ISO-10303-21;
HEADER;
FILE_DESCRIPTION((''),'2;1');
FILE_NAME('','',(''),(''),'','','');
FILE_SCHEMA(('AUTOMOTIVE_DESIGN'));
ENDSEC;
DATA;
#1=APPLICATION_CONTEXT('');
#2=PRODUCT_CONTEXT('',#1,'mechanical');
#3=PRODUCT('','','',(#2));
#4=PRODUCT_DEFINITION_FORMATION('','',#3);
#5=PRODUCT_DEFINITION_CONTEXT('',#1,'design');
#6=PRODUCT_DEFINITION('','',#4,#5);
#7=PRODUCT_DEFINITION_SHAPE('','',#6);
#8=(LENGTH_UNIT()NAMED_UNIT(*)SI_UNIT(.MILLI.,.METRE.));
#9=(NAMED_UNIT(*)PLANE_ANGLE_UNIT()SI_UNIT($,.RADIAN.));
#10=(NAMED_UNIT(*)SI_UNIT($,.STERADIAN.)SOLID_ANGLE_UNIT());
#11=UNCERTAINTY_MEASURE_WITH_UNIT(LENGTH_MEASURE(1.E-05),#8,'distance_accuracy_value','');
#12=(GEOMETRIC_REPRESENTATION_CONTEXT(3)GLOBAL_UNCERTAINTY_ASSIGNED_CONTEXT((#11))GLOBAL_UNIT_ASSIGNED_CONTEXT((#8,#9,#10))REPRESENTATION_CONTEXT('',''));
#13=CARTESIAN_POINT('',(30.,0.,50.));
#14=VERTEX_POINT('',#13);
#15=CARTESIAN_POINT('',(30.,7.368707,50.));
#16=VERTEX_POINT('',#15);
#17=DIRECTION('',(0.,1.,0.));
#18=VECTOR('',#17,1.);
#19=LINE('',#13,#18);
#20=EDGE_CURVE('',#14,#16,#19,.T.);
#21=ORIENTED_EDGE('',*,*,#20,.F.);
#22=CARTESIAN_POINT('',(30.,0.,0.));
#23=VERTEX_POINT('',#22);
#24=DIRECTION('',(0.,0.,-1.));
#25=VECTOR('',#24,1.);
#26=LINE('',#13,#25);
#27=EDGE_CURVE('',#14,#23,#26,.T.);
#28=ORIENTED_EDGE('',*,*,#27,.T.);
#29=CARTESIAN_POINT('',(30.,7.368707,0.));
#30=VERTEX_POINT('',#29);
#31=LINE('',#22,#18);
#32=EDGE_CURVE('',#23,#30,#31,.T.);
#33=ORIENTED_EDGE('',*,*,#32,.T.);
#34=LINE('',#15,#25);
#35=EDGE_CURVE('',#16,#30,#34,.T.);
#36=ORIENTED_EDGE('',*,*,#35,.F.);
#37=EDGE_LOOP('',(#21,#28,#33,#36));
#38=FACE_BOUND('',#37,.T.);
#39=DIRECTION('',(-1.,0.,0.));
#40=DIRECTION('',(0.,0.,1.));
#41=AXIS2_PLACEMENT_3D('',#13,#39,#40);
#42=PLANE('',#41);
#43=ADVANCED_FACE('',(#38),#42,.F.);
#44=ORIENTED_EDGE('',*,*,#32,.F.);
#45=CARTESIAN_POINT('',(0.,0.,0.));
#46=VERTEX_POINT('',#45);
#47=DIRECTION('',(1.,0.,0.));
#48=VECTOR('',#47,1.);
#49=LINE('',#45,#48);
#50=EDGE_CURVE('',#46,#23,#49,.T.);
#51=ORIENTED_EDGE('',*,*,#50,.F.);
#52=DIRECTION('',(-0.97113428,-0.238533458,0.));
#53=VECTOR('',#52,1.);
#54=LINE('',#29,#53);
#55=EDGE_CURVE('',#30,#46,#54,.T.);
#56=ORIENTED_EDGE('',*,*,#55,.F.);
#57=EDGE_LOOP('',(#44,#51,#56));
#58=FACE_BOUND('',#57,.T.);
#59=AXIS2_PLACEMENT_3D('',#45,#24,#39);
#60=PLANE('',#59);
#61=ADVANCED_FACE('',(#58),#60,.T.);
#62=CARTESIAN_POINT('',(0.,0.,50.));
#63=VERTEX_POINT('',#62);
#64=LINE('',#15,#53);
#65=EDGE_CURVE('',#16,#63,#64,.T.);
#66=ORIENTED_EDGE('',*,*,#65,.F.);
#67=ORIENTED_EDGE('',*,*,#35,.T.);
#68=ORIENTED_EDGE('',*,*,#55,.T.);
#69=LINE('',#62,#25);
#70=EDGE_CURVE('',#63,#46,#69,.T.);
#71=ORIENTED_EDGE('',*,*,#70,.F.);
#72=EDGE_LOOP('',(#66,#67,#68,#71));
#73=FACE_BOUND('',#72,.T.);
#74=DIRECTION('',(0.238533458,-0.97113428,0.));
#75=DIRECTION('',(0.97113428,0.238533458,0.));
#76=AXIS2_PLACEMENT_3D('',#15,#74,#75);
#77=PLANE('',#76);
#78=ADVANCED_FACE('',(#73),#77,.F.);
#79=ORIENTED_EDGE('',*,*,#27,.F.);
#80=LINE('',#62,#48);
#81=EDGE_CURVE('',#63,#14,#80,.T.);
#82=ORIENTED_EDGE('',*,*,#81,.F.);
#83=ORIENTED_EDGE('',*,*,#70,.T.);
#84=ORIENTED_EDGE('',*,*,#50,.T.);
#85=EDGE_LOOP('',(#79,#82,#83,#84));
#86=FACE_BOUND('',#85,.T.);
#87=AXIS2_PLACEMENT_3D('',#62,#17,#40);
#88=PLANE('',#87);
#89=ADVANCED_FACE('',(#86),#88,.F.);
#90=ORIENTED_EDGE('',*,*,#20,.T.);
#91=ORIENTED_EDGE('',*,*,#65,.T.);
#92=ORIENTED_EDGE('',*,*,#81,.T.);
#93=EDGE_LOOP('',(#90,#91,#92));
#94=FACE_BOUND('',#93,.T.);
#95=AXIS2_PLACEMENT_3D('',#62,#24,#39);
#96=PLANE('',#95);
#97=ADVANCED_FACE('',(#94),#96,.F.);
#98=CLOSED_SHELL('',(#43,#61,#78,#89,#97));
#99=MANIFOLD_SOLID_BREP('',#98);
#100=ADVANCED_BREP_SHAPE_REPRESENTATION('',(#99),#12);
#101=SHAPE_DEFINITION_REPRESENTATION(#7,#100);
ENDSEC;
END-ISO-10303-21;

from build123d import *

# Parameters (mm, degrees)
BOSS_EXTRUDE1_DEPTH = 50


with BuildPart() as part:
    # Sketch1 → Boss-Extrude1 (new body)
    with BuildSketch(Plane.XY):
        Polygon((0, 0), (30, 0), (30, 7.368706754), align=None)
    extrude(amount=BOSS_EXTRUDE1_DEPTH)


solid = part.part
